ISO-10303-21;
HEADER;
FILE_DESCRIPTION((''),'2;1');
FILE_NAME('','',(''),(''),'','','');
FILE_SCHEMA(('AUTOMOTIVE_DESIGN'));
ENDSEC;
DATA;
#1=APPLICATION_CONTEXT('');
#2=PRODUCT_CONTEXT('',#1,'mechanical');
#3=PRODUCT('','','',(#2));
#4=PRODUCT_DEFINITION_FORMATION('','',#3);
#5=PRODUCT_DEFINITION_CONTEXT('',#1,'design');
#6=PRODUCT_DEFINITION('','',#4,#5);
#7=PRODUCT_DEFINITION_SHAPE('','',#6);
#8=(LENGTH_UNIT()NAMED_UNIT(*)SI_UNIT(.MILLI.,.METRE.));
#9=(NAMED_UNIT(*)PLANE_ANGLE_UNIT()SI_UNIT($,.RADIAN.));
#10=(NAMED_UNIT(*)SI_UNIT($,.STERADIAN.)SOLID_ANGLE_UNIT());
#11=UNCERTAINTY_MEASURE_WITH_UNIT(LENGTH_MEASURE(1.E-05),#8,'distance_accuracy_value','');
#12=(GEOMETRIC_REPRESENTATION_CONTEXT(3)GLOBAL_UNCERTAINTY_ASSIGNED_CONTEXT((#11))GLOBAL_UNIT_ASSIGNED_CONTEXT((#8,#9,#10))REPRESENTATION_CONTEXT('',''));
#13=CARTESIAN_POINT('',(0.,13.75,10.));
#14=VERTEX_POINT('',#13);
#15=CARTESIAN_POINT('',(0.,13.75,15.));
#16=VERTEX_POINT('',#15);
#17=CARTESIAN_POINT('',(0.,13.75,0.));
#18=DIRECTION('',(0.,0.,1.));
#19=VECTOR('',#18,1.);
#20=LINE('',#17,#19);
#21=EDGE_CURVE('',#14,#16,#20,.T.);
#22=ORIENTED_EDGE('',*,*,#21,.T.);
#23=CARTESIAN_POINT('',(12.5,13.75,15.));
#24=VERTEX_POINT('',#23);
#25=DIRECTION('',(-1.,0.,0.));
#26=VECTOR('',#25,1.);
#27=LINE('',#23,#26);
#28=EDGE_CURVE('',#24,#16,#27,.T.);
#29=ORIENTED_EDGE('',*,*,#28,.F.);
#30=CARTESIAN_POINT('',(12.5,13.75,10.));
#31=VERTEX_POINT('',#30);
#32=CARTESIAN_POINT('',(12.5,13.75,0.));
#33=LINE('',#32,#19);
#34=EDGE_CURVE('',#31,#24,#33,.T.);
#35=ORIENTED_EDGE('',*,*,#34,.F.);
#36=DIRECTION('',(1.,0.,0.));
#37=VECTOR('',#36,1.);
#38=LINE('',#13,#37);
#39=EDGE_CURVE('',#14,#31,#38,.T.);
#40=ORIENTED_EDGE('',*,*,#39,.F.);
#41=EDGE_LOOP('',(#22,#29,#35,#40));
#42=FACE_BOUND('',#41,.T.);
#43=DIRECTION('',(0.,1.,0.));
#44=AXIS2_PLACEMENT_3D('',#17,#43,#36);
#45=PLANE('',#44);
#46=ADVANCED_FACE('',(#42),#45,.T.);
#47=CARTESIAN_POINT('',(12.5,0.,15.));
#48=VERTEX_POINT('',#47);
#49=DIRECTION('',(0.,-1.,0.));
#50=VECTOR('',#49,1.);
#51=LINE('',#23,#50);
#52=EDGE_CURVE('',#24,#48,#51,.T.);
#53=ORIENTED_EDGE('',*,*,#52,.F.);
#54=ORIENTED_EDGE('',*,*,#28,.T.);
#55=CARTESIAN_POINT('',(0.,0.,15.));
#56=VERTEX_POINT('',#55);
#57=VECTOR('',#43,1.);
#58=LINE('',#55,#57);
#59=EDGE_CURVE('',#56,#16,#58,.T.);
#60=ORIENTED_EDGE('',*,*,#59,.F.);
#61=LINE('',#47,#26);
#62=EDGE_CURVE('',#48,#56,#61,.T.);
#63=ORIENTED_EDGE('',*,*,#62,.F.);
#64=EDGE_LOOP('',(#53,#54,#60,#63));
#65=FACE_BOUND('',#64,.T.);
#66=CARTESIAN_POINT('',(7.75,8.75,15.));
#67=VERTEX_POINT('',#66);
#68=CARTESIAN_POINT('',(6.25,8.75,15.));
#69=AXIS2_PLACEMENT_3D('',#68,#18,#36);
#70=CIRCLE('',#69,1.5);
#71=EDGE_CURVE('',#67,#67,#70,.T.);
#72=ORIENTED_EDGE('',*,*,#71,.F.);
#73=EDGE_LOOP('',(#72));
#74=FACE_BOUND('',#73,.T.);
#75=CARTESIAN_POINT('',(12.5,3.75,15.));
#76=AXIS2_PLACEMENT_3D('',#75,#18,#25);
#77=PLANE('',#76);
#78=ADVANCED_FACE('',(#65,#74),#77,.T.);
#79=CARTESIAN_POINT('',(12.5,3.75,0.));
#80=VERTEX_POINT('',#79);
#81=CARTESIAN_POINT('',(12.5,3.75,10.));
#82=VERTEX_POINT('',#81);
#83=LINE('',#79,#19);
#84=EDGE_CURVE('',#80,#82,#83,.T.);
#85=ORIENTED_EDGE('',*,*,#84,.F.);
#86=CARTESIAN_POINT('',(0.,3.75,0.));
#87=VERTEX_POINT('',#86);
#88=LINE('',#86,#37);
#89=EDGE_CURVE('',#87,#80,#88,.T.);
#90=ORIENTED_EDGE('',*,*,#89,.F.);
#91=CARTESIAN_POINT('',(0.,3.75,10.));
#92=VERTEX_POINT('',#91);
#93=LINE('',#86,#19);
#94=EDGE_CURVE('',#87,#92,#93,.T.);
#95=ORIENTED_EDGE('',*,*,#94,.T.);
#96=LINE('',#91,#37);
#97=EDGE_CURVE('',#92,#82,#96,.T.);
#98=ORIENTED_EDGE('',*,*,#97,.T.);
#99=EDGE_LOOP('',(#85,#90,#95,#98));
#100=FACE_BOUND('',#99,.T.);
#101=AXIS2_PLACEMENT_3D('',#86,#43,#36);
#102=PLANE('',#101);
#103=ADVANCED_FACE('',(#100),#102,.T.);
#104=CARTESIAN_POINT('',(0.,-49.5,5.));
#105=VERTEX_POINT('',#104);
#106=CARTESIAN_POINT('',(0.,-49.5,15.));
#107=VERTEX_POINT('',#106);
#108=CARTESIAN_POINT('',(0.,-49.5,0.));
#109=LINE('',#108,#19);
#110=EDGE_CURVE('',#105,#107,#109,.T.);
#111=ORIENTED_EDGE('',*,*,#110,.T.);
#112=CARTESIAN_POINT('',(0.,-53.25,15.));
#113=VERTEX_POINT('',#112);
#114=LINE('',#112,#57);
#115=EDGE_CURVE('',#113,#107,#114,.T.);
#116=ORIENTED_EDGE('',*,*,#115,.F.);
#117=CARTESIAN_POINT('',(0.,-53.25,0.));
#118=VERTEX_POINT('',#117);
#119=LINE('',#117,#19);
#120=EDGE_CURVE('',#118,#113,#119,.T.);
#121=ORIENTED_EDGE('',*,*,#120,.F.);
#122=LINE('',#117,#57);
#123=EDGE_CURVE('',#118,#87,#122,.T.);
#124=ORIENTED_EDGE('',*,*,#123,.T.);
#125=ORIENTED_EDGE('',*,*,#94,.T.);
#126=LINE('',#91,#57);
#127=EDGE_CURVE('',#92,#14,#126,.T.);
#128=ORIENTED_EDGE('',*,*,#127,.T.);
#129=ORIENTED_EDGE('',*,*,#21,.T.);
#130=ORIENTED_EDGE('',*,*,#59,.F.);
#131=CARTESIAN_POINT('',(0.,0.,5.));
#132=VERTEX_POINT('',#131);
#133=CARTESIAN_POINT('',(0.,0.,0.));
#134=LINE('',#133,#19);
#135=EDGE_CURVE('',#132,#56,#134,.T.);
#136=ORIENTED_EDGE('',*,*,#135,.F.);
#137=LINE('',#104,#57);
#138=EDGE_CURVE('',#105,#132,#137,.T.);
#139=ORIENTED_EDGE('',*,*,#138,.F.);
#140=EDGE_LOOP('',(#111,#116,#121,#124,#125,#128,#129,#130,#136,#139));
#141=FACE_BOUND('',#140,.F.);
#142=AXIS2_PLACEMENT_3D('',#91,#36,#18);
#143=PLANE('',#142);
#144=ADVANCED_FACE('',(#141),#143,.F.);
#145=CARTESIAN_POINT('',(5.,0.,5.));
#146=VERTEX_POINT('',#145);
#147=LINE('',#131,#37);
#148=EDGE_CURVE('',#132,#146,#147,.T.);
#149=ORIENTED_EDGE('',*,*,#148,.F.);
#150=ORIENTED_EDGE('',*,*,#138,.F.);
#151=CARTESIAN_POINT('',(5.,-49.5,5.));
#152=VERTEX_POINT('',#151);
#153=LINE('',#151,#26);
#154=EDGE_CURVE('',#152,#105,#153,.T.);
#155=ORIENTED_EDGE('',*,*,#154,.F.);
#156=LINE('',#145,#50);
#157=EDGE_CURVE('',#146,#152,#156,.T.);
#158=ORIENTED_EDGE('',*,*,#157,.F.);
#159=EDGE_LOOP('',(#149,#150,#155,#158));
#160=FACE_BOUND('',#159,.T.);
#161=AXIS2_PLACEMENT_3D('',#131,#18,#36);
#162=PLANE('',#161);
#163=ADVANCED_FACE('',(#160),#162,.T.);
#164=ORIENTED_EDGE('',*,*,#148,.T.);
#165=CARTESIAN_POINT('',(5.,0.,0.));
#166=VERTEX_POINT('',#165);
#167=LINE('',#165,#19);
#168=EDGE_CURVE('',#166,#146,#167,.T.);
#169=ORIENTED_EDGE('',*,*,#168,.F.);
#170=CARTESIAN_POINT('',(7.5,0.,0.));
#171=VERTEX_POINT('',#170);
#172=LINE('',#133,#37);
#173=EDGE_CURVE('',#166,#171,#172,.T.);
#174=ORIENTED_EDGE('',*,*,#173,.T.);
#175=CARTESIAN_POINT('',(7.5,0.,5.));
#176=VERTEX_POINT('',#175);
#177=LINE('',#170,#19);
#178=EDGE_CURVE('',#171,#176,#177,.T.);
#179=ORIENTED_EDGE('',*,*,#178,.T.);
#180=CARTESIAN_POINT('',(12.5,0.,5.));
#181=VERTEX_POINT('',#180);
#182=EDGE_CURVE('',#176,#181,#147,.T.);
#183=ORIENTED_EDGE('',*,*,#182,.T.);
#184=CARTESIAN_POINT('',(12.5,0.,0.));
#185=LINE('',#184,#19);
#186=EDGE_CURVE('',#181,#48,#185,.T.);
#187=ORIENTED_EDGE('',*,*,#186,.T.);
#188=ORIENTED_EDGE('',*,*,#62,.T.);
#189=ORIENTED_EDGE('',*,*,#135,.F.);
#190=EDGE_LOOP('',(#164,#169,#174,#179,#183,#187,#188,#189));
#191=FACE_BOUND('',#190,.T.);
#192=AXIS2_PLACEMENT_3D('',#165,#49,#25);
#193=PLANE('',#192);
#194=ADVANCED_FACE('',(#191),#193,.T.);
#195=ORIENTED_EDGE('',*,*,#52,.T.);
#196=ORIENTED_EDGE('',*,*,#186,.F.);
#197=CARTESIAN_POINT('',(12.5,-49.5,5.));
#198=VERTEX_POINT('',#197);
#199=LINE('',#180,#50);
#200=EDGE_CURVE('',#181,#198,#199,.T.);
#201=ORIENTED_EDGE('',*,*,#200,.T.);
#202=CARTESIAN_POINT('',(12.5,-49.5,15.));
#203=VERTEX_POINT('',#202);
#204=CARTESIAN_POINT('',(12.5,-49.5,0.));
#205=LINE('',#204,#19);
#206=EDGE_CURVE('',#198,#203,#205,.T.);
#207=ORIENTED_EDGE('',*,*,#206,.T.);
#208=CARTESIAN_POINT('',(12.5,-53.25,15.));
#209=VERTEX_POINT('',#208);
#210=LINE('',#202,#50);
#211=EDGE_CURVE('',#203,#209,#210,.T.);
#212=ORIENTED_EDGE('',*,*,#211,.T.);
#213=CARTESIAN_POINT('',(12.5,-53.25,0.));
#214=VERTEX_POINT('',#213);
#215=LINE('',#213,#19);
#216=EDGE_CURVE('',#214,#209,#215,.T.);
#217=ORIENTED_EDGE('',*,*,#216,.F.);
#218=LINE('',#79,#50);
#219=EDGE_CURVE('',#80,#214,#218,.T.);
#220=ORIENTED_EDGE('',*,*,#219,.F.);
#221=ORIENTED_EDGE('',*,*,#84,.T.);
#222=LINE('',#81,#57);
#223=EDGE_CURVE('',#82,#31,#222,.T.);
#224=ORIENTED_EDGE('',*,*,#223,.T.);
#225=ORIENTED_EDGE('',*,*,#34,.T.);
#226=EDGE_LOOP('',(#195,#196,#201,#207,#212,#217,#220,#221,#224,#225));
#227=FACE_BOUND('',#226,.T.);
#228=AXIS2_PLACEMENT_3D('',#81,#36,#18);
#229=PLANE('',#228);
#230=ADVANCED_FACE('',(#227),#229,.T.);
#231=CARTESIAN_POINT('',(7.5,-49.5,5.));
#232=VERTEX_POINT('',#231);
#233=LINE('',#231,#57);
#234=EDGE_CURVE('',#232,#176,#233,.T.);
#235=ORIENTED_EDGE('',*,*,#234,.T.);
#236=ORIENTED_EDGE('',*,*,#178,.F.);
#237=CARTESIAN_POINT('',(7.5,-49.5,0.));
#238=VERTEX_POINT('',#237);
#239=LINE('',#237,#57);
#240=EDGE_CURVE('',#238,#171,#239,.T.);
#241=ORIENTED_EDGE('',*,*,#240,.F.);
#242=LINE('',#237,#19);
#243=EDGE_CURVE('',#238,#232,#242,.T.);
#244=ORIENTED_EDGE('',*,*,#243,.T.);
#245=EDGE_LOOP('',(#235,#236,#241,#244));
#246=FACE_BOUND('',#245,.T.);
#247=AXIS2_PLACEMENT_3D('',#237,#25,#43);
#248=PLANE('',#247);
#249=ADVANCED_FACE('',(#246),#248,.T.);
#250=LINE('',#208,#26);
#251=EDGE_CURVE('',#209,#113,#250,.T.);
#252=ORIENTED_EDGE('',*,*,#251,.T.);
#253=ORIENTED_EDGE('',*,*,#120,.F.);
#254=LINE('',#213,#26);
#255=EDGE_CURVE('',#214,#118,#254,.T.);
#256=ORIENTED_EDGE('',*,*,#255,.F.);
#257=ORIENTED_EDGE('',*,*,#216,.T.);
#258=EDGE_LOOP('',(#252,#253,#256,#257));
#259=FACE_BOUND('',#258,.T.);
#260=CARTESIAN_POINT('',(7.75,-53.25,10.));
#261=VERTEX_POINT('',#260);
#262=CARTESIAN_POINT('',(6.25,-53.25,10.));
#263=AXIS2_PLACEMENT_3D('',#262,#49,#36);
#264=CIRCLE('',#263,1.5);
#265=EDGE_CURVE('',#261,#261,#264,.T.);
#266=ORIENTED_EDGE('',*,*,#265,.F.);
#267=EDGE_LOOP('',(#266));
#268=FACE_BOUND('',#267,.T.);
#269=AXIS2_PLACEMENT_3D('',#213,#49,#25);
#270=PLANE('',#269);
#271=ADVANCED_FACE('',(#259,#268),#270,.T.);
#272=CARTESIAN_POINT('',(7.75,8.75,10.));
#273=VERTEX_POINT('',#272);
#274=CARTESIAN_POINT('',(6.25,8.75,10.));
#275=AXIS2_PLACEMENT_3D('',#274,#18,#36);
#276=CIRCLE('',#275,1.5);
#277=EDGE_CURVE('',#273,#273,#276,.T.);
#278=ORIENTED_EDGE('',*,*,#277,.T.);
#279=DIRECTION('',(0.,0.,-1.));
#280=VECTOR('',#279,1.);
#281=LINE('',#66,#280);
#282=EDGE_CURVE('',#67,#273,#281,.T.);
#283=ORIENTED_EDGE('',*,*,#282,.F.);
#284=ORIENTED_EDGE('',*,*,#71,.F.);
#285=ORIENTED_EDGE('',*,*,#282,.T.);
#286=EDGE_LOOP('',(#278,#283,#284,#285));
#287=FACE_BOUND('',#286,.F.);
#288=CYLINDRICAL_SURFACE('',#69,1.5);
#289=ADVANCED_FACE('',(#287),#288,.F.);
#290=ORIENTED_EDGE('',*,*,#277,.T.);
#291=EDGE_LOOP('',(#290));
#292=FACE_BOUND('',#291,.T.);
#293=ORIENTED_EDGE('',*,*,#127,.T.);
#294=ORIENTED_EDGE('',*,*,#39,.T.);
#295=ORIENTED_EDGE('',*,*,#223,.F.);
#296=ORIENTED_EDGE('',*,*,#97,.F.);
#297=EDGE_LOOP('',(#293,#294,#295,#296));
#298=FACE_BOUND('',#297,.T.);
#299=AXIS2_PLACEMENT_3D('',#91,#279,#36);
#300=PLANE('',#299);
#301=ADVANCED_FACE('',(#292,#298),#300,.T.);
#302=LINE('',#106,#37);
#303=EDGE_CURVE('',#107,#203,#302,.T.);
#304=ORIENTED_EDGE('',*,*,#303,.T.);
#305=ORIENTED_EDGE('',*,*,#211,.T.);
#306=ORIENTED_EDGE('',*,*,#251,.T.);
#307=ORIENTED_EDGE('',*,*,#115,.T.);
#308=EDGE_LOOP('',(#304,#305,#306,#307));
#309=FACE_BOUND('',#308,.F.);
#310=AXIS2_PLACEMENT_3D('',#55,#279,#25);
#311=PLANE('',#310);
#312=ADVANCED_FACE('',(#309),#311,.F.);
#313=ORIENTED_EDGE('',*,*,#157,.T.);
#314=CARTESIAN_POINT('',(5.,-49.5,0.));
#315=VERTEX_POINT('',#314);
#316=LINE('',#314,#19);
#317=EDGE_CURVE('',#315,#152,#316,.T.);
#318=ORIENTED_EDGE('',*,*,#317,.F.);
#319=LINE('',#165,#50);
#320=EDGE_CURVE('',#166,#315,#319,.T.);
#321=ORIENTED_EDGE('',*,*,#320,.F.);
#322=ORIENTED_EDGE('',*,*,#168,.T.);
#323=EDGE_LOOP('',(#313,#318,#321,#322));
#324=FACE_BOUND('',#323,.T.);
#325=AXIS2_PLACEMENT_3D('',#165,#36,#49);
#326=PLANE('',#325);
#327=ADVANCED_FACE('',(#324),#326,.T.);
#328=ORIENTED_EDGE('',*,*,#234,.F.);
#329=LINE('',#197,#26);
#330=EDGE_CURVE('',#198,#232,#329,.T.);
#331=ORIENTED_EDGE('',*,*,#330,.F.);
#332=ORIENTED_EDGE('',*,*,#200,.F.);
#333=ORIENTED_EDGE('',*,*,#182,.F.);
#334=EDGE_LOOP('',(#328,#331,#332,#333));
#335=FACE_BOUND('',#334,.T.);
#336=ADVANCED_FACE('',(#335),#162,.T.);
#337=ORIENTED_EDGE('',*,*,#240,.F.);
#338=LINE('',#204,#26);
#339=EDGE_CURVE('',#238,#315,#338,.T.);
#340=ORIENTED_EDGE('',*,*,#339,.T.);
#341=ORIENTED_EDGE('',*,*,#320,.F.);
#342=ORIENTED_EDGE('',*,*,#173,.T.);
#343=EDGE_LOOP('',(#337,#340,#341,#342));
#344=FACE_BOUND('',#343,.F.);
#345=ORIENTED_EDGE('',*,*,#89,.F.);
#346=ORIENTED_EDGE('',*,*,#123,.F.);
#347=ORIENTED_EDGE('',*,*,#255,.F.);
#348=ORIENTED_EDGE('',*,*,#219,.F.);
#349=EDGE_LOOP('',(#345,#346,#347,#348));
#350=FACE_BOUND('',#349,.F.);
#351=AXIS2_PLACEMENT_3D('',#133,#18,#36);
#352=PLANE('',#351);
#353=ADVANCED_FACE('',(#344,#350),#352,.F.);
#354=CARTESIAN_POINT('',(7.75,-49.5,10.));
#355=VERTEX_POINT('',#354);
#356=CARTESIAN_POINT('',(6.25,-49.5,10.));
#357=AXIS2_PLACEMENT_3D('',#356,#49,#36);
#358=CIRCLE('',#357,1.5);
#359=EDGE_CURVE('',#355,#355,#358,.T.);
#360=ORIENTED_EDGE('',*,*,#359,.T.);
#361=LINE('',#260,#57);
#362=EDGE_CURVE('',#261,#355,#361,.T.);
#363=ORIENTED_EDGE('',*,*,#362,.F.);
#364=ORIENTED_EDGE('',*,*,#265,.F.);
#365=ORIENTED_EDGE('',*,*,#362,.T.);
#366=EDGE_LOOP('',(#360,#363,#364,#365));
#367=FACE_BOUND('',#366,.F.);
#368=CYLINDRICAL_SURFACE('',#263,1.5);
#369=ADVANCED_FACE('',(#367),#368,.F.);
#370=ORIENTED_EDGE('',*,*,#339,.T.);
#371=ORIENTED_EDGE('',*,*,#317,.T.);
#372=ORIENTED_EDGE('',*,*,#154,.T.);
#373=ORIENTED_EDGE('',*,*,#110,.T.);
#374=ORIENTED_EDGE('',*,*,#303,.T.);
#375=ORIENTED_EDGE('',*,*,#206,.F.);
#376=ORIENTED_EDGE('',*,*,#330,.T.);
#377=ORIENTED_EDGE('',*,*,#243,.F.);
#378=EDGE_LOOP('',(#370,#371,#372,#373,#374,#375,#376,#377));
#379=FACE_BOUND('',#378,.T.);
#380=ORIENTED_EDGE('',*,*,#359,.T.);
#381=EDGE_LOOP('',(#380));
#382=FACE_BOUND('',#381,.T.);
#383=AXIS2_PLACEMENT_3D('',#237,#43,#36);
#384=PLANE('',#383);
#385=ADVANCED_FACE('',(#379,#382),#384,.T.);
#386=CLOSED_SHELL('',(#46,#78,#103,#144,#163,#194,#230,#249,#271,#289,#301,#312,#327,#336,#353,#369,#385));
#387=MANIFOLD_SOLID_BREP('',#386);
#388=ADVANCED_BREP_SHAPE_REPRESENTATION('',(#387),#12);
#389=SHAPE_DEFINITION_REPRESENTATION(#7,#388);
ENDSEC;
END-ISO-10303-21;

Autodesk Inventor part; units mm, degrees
ref_plane "YZ Plane" through (0, 0, 0) normal (1, 0, 0) x (0, 1, 0)
ref_plane "XZ Plane" through (0, 0, 0) normal (0, 1, 0) x (-1, 0, 0)
ref_plane "XY Plane" through (0, 0, 0) normal (0, 0, 1) x (1, 0, 0)
sketch "Sketch1" plane through (0, 0, 0) normal (0, 0, 1) x (1, 0, 0)
  line L0 (0, 0) -> (12.5, 0)
  line L1 (12.5, 0) -> (12.5, 5)
  line L2 (12.5, 5) -> (0, 5)
  line L3 (0, 5) -> (0, 0)
  line L4 (0, 0) -> (5, 0) construction
  line L5 (12.5, 0) -> (7.5, 0) construction
  line L6 (0, 0) -> (5, 0) construction
  line L7 (5, 0) -> (5, -49.5) construction
  line L8 (5, -49.5) -> (0, -49.5) construction
  line L9 (0, -49.5) -> (0, 0) construction
  line L10 (0, 0) -> (5, 0)
  line L11 (5, 0) -> (5, -49.5)
  line L12 (5, -49.5) -> (0, -49.5)
  line L13 (0, -49.5) -> (0, 0)
  line L14 (7.5, 0) -> (12.5, 0)
  line L15 (12.5, 0) -> (12.5, -49.5)
  line L16 (12.5, -49.5) -> (7.5, -49.5)
  line L17 (7.5, -49.5) -> (7.5, 0)
  dimension "d0" = 12.5
  dimension "d1" = 5
  dimension "d2" = 5
  dimension "d3" = 5
  dimension "d4" = 49.5
extrude "Extrusion1" add sketch "Sketch1" along normal blind 5 contours L0 L11 L12 L13 | L0 L15 L16 L17
sketch "Sketch2" plane through (0, 0, 0) normal (0, 0, -1) x (-1, 0, 0)
  line L0 (-12.5, -49.5) -> (-12.5, 0) projected
  line L1 (-7.5, -49.5) -> (-12.5, -49.5) projected
  line L2 (-7.5, 0) -> (-7.5, -49.5) projected
  line L3 (-12.5, 0) -> (-7.5, 0) projected
  line L4 (0, -49.5) -> (-5, -49.5) projected
  line L5 (0, 0) -> (0, -49.5) projected
  line L6 (-5, 0) -> (0, 0) projected
  line L7 (-5, -49.5) -> (-5, 0) projected
  line L8 (-12.5, 0) -> (0, 0)
  line L9 (0, 0) -> (0, 3.75)
  line L10 (0, 3.75) -> (-12.5, 3.75)
  line L11 (-12.5, 3.75) -> (-12.5, 0)
  line L12 (0, -49.5) -> (-5, -49.5) projected
  line L13 (0, -49.5) -> (-12.5, -49.5)
  line L14 (-12.5, -49.5) -> (-12.5, -53.25)
  line L15 (-12.5, -53.25) -> (0, -53.25)
  line L16 (0, -53.25) -> (0, -49.5)
  point P0 (-5, -49.5)
  point P1 (-7.5, -49.5)
  dimension "d7" = 3.75
  dimension "d10" = 3.75
extrude "Extrusion2" add sketch "Sketch2" against normal blind 15 contours L1 L13 L4 L16 L15 L14 | L11 L10 L9 L6 L8 L3
sketch "Sketch4" plane through (0, -53.25, 0) normal (0, -1, 0) x (1, 0, 0)
  line L0 (7.5, 5) -> (12.5, 5) projected
  line L1 (0, 5) -> (5, 5) projected
  line L2 (12.5, 5) -> (12.5, 15) construction
  line L3 (12.5, 0) -> (0, 0) construction
  line L4 (12.5, 15) -> (0, 15) construction
  line L5 (0, 15) -> (0, 0) construction
  line L6 (0, 0) -> (12.5, 0) construction
  line L7 (12.5, 0) -> (12.5, 15) construction
  line L8 (12.5, 15) -> (0, 15) construction
  line L9 (0, 5) -> (12.5, 5) construction
  line L10 (12.5, 5) -> (12.5, 15) construction
  line L11 (12.5, 15) -> (0, 15) construction
  line L12 (0, 15) -> (0, 5) construction
  circle A0 centre (6.25, 10) radius 1.5
  dimension "d12" = 3
extrude "Extrusion3" cut sketch "Sketch4" against normal blind 10
sketch "Sketch5" plane through (0, 3.75, 0) normal (0, 1, 0) x (1, 0, 0)
  line L0 (5, -5) -> (0, -5) projected
  line L1 (12.5, -5) -> (7.5, -5) projected
  line L2 (0, 0) -> (12.5, 0) projected
  line L3 (0, 0) -> (0, -15) projected
  line L4 (12.5, -15) -> (0, -15) projected
  line L5 (12.5, 0) -> (12.5, -15) projected
  line L6 (0, 0) -> (0, -15) construction
  line L7 (7.5, -5) -> (12.5, -5) construction
  line L8 (0, 0) -> (12.5, 0) construction
  line L9 (12.5, 0) -> (12.5, -5) construction
  line L10 (12.5, -5) -> (0, -5) construction
  line L11 (0, -5) -> (0, 0) construction
  line L12 (12.5, 0) -> (12.5, -15) projected
  line L13 (12.5, -15) -> (0, -15)
  line L14 (0, -15) -> (0, -10)
  line L15 (0, -10) -> (12.5, -10)
  line L16 (12.5, -10) -> (12.5, -15)
  point P0 (0, -10)
  dimension "d15" = 12.5
  dimension "d16" = 15
  dimension "d17" = 5
  dimension "d18" = 5
extrude "Extrusion4" add sketch "Sketch5" along normal blind 10 contours L15 L5 L4 L3
sketch "Sketch6" plane through (0, 0, 15) normal (0, 0, 1) x (1, 0, 0)
  line L0 (0, 3.75) -> (12.5, 3.75) projected
  line L1 (0, 13.75) -> (12.5, 13.75) projected
  line L2 (0, 0) -> (0, 13.75) construction
  line L3 (0, 3.75) -> (12.5, 3.75) construction
  line L4 (0, 13.75) -> (12.5, 13.75) construction
  line L5 (12.5, 13.75) -> (12.5, 3.75) construction
  line L6 (12.5, 3.75) -> (0, 3.75) construction
  line L7 (0, 3.75) -> (0, 13.75) construction
  circle A0 centre (6.25, 8.75) radius 1.5
  dimension "d21" = 3
extrude "Extrusion5" cut sketch "Sketch6" against normal blind 10
properties part number "PistaSistBloq"
